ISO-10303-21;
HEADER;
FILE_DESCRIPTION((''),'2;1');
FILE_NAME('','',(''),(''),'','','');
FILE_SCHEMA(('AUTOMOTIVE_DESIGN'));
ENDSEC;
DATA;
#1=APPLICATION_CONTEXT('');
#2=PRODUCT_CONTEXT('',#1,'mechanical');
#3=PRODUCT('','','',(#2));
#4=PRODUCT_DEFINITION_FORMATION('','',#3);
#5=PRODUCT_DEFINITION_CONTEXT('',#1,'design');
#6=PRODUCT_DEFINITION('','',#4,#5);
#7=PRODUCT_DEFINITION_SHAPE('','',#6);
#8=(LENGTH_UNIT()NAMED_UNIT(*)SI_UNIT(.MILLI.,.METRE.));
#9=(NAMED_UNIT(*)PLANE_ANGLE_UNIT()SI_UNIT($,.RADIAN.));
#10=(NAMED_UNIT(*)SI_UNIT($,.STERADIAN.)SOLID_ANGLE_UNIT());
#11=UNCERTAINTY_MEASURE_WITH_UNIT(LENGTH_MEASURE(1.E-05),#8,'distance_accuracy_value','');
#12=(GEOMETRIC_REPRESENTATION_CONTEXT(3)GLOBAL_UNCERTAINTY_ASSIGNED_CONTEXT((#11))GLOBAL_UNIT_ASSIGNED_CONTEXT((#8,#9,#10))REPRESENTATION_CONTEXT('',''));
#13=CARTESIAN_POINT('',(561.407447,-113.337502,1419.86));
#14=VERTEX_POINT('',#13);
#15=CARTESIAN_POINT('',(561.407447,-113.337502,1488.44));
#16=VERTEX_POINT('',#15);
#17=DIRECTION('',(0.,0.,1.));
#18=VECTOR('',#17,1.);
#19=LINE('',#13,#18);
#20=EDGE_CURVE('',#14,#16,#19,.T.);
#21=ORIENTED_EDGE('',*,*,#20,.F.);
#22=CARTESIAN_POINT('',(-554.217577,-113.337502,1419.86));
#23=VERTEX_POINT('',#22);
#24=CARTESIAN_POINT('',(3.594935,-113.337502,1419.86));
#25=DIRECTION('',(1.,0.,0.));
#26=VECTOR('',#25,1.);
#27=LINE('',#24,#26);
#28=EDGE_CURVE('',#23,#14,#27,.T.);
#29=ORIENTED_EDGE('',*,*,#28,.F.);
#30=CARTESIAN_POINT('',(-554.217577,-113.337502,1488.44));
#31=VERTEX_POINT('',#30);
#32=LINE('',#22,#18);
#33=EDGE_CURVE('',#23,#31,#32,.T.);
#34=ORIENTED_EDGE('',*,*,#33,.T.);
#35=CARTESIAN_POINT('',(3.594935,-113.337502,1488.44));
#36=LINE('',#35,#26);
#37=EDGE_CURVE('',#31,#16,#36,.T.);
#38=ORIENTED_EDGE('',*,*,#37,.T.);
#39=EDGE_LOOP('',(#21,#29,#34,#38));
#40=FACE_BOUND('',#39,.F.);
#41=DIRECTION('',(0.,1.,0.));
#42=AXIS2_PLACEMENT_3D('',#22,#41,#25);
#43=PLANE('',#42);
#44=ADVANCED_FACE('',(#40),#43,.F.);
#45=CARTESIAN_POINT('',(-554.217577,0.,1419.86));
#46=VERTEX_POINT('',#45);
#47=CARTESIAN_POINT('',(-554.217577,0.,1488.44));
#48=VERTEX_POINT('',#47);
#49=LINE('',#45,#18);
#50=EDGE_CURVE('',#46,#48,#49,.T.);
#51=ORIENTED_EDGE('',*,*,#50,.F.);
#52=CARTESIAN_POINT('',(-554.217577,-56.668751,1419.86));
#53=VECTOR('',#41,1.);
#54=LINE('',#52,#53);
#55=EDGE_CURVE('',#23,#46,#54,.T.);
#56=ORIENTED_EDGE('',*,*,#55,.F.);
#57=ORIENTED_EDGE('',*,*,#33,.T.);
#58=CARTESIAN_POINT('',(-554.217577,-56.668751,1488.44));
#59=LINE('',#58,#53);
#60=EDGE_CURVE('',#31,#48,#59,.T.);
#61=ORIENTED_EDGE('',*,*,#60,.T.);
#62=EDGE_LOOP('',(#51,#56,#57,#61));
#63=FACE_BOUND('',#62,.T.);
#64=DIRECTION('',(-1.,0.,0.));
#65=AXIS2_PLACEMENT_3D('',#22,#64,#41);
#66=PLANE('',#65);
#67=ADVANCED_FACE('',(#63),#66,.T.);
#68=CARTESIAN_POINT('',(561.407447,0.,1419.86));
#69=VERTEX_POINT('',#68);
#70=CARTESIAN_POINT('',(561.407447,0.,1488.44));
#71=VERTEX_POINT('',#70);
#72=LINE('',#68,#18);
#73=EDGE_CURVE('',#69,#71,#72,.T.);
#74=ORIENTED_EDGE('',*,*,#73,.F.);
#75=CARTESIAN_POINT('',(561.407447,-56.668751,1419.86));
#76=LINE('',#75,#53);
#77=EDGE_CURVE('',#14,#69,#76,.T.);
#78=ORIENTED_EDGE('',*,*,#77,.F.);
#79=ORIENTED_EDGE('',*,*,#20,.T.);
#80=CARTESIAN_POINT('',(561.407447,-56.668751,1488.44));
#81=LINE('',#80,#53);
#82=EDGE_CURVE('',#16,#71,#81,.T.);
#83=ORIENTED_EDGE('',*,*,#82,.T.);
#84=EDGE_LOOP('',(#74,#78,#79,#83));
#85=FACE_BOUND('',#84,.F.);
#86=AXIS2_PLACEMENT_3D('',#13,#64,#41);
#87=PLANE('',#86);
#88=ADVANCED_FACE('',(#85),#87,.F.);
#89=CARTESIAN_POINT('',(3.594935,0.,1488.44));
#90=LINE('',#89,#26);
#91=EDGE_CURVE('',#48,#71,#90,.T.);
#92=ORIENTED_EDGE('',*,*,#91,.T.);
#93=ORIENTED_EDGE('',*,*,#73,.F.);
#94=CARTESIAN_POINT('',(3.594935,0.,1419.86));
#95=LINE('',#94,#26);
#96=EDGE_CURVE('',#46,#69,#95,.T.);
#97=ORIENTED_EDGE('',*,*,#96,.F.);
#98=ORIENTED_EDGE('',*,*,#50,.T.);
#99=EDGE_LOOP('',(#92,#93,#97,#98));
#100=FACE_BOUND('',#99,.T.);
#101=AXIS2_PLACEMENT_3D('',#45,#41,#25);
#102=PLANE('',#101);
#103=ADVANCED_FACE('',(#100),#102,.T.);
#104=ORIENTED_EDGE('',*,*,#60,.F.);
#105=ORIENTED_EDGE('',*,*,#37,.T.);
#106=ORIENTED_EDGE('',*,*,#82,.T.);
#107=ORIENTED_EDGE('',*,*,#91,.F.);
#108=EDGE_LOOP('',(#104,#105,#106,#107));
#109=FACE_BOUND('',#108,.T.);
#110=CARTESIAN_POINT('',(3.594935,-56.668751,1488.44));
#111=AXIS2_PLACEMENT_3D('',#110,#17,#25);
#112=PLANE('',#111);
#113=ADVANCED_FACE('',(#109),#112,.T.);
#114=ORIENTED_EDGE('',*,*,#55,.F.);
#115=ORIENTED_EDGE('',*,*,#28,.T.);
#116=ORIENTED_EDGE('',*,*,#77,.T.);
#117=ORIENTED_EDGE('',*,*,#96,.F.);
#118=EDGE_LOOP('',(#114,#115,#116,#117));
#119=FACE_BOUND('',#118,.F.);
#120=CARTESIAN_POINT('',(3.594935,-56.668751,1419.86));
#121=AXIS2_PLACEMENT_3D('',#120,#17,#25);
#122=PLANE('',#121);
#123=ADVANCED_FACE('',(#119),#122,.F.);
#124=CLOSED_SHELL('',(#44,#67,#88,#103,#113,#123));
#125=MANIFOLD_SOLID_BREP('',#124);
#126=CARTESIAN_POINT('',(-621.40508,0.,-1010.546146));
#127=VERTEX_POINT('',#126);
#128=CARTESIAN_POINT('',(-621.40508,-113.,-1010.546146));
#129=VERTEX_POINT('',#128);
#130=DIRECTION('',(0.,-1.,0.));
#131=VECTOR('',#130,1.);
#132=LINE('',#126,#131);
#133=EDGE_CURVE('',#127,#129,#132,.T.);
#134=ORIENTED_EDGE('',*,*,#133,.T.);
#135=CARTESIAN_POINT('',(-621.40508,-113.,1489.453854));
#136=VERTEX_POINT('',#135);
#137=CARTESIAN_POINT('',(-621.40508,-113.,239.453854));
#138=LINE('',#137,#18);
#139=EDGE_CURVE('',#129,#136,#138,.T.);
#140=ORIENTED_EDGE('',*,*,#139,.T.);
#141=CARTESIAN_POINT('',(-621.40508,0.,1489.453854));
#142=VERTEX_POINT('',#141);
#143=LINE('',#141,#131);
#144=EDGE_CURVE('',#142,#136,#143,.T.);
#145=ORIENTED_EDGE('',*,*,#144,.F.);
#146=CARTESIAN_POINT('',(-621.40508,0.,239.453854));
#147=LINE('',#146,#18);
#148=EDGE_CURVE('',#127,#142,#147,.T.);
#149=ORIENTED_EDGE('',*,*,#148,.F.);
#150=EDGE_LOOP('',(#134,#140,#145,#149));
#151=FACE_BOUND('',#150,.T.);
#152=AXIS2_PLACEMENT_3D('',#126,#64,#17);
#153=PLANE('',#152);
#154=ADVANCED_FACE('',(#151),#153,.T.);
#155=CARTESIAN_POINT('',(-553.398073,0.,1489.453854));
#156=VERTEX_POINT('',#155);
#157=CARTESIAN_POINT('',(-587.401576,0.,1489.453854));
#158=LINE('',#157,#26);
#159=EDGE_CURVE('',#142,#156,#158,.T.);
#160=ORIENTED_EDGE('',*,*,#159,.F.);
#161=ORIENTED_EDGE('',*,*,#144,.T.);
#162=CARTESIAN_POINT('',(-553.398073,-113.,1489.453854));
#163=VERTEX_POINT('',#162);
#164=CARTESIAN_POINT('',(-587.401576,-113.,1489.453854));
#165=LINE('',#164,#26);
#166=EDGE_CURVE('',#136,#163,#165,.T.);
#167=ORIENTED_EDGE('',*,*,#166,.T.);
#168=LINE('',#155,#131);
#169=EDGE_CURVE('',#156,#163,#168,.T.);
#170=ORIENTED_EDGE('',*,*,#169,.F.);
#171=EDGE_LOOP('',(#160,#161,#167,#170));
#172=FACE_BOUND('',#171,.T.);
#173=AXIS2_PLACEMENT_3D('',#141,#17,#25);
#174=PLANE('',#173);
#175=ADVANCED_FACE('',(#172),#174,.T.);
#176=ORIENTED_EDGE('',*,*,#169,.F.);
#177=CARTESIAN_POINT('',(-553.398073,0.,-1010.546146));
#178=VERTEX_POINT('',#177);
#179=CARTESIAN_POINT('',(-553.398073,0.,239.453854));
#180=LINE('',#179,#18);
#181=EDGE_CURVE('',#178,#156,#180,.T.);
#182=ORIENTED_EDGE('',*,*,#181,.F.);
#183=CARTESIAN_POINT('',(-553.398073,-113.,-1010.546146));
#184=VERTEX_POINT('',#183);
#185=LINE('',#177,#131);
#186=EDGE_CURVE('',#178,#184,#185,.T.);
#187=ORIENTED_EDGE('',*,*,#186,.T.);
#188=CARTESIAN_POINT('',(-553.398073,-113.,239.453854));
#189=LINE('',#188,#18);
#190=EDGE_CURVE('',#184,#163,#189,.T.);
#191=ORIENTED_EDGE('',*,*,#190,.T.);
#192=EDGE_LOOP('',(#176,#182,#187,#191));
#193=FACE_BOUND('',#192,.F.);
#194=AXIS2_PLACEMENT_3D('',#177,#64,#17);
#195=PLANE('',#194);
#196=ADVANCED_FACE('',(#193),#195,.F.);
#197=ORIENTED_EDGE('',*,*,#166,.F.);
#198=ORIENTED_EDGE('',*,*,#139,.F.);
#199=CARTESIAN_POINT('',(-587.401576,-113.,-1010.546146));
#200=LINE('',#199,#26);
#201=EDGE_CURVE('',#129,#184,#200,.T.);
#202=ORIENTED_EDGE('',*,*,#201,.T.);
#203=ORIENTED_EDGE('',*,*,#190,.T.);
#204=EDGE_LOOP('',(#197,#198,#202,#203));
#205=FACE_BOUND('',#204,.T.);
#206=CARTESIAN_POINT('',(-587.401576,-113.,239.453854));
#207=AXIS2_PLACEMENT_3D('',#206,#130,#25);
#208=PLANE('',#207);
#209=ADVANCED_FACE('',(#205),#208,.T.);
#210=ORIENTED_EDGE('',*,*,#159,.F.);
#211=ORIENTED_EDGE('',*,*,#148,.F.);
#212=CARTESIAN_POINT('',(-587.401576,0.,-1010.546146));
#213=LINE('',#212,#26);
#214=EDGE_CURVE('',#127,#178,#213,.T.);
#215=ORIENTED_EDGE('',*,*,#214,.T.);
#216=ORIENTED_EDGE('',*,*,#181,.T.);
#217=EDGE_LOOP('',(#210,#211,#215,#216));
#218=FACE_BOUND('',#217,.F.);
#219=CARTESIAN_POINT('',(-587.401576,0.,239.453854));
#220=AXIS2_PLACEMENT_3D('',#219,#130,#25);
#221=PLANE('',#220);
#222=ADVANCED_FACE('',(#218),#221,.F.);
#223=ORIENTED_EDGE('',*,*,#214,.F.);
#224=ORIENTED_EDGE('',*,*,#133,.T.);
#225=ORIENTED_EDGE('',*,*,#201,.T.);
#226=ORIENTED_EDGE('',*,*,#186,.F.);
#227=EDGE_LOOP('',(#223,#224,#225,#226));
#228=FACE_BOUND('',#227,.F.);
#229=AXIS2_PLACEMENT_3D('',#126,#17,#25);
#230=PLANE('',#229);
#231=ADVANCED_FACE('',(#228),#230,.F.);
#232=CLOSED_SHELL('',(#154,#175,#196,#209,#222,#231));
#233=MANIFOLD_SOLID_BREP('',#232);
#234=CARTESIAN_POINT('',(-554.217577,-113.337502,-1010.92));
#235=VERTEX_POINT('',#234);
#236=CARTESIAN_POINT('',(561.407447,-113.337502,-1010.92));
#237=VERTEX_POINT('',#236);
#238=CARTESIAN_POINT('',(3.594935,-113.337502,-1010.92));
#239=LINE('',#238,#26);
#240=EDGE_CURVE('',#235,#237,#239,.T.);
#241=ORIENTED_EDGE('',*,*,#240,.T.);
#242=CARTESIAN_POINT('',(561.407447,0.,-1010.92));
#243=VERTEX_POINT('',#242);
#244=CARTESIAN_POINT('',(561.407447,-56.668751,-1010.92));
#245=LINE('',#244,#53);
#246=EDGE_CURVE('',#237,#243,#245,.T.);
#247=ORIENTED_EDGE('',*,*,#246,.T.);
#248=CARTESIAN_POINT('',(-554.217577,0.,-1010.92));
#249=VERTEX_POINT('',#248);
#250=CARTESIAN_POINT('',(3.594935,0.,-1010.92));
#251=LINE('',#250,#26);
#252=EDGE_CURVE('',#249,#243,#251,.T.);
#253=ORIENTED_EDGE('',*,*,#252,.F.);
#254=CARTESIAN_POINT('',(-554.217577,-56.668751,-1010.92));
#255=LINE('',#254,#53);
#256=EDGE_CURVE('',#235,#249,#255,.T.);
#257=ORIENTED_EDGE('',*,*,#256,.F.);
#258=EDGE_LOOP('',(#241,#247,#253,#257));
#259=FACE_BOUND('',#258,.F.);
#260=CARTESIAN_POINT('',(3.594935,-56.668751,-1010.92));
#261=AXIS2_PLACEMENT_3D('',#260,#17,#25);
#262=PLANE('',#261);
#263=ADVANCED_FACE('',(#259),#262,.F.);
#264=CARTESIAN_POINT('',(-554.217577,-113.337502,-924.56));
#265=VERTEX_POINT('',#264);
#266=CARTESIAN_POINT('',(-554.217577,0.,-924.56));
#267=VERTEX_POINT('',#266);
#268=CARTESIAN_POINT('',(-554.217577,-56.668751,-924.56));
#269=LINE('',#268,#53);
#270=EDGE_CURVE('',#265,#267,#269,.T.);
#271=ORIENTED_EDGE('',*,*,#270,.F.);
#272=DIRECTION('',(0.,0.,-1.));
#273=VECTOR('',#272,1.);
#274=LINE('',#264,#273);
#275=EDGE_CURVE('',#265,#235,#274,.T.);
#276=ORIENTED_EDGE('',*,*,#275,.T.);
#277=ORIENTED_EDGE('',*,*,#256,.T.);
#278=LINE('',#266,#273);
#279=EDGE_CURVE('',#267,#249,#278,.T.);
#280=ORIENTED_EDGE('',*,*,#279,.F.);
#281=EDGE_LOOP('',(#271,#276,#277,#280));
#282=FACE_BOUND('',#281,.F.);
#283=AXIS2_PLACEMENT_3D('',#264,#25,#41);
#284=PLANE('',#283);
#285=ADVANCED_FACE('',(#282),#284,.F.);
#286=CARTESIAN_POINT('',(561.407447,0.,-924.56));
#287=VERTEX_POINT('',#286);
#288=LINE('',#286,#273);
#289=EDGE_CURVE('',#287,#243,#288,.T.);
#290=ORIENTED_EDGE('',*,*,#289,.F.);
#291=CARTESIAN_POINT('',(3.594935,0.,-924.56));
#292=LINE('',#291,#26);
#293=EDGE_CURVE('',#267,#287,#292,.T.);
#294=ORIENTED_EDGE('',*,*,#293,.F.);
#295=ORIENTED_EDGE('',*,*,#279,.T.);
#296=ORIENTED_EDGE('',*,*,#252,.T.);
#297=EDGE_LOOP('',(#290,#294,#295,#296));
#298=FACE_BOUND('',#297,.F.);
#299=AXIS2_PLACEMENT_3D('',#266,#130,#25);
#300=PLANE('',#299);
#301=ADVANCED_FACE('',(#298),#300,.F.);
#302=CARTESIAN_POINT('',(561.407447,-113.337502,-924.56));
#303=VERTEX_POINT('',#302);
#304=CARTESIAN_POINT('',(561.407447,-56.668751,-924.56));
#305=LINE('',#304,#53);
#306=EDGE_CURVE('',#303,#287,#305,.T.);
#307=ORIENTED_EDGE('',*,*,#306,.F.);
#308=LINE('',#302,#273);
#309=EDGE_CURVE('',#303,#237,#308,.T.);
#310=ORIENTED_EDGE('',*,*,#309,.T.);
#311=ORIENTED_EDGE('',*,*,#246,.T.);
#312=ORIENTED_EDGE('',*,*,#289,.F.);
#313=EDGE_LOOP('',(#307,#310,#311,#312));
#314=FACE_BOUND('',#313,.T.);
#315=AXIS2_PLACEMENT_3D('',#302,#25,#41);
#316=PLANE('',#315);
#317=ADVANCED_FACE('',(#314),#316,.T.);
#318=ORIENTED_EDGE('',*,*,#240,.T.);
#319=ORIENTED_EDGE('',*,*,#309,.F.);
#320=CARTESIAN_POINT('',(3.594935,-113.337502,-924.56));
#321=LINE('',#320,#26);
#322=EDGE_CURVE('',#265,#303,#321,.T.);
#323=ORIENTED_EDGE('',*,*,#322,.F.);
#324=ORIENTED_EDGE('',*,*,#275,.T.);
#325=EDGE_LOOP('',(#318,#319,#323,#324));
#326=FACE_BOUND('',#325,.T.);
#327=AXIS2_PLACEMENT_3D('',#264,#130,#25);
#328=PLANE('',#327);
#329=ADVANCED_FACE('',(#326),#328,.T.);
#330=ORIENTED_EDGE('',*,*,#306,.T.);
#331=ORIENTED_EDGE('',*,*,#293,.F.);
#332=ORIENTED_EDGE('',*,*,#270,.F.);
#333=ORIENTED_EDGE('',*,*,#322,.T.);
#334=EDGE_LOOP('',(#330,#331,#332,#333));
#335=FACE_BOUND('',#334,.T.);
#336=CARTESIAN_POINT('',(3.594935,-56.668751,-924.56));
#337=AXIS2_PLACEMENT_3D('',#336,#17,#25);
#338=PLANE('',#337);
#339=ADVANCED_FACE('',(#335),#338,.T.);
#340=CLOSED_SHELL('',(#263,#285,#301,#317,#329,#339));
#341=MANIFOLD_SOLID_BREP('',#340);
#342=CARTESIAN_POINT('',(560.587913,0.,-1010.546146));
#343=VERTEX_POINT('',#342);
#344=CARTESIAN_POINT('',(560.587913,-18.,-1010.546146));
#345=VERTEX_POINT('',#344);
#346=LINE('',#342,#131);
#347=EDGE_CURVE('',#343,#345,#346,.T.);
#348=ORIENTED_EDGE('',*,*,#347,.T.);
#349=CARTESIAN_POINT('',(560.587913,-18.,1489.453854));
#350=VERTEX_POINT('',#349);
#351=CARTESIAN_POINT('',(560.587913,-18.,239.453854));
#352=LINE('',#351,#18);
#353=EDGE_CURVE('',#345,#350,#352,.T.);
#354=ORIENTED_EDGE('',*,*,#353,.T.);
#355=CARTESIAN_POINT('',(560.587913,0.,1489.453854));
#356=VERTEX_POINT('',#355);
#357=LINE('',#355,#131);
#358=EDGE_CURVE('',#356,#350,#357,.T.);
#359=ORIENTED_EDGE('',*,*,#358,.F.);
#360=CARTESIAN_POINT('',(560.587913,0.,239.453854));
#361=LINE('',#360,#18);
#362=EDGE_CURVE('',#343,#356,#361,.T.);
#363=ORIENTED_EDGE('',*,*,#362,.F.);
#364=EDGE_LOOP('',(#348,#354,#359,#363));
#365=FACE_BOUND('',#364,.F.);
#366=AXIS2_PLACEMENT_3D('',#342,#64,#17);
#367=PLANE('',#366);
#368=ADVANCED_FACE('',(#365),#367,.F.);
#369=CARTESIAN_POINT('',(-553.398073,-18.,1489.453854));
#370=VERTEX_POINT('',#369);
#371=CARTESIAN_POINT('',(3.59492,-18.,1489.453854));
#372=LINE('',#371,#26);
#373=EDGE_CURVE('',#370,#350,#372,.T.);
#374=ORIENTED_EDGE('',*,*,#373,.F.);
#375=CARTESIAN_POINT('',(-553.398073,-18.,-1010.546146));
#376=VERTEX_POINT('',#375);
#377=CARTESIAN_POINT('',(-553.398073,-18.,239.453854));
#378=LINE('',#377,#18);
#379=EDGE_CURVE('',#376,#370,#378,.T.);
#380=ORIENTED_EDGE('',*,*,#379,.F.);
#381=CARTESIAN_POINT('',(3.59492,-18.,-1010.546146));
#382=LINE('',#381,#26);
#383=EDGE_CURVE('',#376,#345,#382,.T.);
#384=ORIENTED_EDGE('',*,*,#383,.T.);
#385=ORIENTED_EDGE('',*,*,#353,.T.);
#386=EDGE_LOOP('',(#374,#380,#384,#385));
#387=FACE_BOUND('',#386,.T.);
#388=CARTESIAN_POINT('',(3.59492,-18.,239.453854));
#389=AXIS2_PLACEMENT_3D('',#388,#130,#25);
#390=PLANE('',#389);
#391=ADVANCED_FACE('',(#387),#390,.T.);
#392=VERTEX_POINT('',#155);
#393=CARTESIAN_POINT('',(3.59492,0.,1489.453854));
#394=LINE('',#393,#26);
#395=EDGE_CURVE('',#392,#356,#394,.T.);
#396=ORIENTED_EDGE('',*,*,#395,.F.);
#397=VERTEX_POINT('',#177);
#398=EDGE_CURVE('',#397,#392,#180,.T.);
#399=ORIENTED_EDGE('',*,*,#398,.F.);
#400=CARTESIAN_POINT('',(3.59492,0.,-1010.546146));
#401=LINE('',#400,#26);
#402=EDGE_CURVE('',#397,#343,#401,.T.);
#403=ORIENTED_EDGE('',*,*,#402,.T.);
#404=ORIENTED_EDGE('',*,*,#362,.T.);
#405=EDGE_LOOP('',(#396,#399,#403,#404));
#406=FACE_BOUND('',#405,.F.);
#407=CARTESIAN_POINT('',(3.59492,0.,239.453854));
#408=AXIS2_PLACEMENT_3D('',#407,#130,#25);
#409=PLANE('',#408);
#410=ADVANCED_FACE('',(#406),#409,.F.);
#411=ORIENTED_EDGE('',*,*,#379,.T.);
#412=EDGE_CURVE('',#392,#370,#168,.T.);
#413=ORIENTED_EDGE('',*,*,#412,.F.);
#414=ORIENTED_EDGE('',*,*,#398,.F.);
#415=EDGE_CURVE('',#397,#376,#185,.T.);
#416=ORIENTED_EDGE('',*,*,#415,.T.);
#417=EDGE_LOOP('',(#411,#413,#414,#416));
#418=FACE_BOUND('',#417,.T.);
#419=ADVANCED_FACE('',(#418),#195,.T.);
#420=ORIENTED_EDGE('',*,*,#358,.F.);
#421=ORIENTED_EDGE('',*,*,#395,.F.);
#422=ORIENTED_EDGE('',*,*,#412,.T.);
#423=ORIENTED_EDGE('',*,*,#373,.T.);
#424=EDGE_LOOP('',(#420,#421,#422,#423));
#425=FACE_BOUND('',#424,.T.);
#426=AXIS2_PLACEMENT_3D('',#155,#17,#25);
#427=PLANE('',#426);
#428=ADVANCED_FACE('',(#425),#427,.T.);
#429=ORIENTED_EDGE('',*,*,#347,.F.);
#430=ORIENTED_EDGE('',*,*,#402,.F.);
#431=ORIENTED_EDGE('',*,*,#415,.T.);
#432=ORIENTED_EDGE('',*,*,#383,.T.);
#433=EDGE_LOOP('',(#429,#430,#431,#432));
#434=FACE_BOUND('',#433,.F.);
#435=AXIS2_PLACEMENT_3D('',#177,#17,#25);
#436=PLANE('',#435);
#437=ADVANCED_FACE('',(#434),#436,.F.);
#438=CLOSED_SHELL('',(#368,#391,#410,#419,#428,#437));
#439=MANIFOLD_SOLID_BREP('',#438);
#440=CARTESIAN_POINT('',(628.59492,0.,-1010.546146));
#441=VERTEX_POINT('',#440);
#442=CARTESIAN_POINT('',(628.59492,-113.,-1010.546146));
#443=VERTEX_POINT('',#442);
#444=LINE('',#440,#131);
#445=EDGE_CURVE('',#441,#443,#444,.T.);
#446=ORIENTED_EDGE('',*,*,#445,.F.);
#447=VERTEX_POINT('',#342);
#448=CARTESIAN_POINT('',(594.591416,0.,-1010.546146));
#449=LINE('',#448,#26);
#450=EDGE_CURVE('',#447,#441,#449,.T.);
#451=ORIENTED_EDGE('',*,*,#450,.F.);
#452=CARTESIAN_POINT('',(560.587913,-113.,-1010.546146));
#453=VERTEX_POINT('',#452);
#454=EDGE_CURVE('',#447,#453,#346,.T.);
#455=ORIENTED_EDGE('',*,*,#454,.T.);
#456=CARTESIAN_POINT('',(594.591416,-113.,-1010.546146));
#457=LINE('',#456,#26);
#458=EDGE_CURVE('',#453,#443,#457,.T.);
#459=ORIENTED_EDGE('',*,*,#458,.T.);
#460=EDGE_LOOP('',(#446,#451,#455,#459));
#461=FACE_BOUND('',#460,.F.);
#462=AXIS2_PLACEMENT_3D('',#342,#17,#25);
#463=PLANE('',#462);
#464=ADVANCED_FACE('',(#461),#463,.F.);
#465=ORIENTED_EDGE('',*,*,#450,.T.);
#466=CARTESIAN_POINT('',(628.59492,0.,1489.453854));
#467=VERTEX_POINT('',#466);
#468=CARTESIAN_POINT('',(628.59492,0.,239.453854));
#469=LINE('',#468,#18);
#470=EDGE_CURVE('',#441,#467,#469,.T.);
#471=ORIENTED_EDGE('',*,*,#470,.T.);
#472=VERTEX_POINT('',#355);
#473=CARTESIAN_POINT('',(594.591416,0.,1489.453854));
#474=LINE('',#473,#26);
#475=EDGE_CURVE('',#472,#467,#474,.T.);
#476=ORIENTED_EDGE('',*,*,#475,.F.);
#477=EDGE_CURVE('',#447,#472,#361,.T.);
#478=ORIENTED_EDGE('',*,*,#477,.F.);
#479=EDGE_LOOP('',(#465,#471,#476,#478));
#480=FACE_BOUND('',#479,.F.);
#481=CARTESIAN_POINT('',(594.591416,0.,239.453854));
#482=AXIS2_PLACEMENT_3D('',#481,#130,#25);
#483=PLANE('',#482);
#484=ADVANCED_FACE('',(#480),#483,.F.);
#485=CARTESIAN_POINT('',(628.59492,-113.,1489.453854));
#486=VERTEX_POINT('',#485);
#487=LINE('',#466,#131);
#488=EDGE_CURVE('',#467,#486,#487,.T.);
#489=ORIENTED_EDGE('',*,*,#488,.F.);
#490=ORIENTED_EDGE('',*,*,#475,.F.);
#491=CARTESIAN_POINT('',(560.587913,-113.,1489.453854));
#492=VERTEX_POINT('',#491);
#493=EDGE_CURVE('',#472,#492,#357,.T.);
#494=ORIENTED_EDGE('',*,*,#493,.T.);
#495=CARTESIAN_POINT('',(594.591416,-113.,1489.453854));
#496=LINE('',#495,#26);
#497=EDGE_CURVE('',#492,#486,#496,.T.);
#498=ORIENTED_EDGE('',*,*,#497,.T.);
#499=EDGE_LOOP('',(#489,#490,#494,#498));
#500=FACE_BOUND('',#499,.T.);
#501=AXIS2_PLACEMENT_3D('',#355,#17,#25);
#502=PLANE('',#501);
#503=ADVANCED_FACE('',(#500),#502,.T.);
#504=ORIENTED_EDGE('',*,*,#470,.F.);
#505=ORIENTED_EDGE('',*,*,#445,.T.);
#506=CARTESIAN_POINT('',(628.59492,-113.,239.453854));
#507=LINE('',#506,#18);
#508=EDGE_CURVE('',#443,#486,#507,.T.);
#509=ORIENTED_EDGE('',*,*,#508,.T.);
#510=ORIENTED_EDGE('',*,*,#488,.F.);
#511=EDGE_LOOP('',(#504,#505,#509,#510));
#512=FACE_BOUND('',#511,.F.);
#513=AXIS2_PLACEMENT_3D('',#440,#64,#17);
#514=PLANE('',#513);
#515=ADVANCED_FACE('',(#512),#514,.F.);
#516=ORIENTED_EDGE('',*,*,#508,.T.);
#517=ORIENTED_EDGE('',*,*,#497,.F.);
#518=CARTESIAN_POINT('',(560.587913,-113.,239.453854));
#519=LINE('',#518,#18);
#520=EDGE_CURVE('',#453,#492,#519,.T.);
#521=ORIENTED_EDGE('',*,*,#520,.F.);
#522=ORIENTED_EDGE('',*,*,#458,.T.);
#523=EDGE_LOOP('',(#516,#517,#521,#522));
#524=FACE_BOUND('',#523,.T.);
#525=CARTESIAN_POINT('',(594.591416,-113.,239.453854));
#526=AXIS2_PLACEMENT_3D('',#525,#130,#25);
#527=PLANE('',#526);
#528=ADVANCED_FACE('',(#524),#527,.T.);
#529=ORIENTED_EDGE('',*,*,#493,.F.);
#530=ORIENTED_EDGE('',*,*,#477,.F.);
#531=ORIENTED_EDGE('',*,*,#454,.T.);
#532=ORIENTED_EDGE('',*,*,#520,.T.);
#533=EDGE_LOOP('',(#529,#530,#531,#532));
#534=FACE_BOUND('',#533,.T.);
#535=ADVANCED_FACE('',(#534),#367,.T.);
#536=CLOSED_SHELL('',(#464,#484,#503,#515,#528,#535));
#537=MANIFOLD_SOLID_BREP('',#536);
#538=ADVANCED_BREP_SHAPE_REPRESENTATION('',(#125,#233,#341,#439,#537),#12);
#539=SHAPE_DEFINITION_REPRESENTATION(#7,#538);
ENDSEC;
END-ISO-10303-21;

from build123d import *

# Parameters (mm, degrees)
F0_W     = 68.0070072412
F0_H     = 2500
F1_DEPTH = 113
F0_W_2   = 1113.9859855175
F2_DEPTH = 18
F4_START = 1419.86
F3_W     = 1115.6250238419
F3_H     = 113.3375018835
F4_DEPTH = 68.58
F5_START = -924.56
F5_DEPTH = 86.36


with BuildPart() as f1:
    # F0 (on Front) → F1 (new body)
    with BuildSketch(Plane.XZ):
        with Locations((-587.4015763402, 239.4538540301)):
            Rectangle(F0_W, F0_H)
    extrude(amount=F1_DEPTH)


with BuildPart() as f1b:
    # F0 (on Front) → F1, piece 2 (new body)
    with BuildSketch(Plane.XZ):
        with Locations((594.5914164186, 239.4538540301)):
            Rectangle(F0_W, F0_H)
    extrude(amount=F1_DEPTH)


with BuildPart() as f2:
    # F0 (on Front) → F2 (new body)
    with BuildSketch(Plane.XZ):
        with Locations((3.5949200392, 239.4538540301)):
            Rectangle(F0_W_2, F0_H)
    extrude(amount=F2_DEPTH)


with BuildPart() as f4:
    # F3 (on Top) → F4 (new body)
    with BuildSketch(Plane.XY.offset(F4_START)):
        with Locations((3.5949349403, -56.6687509418)):
            Rectangle(F3_W, F3_H)
    extrude(amount=F4_DEPTH)


with BuildPart() as f5:
    # F3 (on Top) → F5 (new body)
    with BuildSketch(Plane.XY.offset(F5_START)):
        with Locations((3.5949349403, -56.6687509418)):
            Rectangle(F3_W, F3_H)
    extrude(amount=-F5_DEPTH)


solid = Compound([f1.part, f1b.part, f2.part, f4.part, f5.part])
